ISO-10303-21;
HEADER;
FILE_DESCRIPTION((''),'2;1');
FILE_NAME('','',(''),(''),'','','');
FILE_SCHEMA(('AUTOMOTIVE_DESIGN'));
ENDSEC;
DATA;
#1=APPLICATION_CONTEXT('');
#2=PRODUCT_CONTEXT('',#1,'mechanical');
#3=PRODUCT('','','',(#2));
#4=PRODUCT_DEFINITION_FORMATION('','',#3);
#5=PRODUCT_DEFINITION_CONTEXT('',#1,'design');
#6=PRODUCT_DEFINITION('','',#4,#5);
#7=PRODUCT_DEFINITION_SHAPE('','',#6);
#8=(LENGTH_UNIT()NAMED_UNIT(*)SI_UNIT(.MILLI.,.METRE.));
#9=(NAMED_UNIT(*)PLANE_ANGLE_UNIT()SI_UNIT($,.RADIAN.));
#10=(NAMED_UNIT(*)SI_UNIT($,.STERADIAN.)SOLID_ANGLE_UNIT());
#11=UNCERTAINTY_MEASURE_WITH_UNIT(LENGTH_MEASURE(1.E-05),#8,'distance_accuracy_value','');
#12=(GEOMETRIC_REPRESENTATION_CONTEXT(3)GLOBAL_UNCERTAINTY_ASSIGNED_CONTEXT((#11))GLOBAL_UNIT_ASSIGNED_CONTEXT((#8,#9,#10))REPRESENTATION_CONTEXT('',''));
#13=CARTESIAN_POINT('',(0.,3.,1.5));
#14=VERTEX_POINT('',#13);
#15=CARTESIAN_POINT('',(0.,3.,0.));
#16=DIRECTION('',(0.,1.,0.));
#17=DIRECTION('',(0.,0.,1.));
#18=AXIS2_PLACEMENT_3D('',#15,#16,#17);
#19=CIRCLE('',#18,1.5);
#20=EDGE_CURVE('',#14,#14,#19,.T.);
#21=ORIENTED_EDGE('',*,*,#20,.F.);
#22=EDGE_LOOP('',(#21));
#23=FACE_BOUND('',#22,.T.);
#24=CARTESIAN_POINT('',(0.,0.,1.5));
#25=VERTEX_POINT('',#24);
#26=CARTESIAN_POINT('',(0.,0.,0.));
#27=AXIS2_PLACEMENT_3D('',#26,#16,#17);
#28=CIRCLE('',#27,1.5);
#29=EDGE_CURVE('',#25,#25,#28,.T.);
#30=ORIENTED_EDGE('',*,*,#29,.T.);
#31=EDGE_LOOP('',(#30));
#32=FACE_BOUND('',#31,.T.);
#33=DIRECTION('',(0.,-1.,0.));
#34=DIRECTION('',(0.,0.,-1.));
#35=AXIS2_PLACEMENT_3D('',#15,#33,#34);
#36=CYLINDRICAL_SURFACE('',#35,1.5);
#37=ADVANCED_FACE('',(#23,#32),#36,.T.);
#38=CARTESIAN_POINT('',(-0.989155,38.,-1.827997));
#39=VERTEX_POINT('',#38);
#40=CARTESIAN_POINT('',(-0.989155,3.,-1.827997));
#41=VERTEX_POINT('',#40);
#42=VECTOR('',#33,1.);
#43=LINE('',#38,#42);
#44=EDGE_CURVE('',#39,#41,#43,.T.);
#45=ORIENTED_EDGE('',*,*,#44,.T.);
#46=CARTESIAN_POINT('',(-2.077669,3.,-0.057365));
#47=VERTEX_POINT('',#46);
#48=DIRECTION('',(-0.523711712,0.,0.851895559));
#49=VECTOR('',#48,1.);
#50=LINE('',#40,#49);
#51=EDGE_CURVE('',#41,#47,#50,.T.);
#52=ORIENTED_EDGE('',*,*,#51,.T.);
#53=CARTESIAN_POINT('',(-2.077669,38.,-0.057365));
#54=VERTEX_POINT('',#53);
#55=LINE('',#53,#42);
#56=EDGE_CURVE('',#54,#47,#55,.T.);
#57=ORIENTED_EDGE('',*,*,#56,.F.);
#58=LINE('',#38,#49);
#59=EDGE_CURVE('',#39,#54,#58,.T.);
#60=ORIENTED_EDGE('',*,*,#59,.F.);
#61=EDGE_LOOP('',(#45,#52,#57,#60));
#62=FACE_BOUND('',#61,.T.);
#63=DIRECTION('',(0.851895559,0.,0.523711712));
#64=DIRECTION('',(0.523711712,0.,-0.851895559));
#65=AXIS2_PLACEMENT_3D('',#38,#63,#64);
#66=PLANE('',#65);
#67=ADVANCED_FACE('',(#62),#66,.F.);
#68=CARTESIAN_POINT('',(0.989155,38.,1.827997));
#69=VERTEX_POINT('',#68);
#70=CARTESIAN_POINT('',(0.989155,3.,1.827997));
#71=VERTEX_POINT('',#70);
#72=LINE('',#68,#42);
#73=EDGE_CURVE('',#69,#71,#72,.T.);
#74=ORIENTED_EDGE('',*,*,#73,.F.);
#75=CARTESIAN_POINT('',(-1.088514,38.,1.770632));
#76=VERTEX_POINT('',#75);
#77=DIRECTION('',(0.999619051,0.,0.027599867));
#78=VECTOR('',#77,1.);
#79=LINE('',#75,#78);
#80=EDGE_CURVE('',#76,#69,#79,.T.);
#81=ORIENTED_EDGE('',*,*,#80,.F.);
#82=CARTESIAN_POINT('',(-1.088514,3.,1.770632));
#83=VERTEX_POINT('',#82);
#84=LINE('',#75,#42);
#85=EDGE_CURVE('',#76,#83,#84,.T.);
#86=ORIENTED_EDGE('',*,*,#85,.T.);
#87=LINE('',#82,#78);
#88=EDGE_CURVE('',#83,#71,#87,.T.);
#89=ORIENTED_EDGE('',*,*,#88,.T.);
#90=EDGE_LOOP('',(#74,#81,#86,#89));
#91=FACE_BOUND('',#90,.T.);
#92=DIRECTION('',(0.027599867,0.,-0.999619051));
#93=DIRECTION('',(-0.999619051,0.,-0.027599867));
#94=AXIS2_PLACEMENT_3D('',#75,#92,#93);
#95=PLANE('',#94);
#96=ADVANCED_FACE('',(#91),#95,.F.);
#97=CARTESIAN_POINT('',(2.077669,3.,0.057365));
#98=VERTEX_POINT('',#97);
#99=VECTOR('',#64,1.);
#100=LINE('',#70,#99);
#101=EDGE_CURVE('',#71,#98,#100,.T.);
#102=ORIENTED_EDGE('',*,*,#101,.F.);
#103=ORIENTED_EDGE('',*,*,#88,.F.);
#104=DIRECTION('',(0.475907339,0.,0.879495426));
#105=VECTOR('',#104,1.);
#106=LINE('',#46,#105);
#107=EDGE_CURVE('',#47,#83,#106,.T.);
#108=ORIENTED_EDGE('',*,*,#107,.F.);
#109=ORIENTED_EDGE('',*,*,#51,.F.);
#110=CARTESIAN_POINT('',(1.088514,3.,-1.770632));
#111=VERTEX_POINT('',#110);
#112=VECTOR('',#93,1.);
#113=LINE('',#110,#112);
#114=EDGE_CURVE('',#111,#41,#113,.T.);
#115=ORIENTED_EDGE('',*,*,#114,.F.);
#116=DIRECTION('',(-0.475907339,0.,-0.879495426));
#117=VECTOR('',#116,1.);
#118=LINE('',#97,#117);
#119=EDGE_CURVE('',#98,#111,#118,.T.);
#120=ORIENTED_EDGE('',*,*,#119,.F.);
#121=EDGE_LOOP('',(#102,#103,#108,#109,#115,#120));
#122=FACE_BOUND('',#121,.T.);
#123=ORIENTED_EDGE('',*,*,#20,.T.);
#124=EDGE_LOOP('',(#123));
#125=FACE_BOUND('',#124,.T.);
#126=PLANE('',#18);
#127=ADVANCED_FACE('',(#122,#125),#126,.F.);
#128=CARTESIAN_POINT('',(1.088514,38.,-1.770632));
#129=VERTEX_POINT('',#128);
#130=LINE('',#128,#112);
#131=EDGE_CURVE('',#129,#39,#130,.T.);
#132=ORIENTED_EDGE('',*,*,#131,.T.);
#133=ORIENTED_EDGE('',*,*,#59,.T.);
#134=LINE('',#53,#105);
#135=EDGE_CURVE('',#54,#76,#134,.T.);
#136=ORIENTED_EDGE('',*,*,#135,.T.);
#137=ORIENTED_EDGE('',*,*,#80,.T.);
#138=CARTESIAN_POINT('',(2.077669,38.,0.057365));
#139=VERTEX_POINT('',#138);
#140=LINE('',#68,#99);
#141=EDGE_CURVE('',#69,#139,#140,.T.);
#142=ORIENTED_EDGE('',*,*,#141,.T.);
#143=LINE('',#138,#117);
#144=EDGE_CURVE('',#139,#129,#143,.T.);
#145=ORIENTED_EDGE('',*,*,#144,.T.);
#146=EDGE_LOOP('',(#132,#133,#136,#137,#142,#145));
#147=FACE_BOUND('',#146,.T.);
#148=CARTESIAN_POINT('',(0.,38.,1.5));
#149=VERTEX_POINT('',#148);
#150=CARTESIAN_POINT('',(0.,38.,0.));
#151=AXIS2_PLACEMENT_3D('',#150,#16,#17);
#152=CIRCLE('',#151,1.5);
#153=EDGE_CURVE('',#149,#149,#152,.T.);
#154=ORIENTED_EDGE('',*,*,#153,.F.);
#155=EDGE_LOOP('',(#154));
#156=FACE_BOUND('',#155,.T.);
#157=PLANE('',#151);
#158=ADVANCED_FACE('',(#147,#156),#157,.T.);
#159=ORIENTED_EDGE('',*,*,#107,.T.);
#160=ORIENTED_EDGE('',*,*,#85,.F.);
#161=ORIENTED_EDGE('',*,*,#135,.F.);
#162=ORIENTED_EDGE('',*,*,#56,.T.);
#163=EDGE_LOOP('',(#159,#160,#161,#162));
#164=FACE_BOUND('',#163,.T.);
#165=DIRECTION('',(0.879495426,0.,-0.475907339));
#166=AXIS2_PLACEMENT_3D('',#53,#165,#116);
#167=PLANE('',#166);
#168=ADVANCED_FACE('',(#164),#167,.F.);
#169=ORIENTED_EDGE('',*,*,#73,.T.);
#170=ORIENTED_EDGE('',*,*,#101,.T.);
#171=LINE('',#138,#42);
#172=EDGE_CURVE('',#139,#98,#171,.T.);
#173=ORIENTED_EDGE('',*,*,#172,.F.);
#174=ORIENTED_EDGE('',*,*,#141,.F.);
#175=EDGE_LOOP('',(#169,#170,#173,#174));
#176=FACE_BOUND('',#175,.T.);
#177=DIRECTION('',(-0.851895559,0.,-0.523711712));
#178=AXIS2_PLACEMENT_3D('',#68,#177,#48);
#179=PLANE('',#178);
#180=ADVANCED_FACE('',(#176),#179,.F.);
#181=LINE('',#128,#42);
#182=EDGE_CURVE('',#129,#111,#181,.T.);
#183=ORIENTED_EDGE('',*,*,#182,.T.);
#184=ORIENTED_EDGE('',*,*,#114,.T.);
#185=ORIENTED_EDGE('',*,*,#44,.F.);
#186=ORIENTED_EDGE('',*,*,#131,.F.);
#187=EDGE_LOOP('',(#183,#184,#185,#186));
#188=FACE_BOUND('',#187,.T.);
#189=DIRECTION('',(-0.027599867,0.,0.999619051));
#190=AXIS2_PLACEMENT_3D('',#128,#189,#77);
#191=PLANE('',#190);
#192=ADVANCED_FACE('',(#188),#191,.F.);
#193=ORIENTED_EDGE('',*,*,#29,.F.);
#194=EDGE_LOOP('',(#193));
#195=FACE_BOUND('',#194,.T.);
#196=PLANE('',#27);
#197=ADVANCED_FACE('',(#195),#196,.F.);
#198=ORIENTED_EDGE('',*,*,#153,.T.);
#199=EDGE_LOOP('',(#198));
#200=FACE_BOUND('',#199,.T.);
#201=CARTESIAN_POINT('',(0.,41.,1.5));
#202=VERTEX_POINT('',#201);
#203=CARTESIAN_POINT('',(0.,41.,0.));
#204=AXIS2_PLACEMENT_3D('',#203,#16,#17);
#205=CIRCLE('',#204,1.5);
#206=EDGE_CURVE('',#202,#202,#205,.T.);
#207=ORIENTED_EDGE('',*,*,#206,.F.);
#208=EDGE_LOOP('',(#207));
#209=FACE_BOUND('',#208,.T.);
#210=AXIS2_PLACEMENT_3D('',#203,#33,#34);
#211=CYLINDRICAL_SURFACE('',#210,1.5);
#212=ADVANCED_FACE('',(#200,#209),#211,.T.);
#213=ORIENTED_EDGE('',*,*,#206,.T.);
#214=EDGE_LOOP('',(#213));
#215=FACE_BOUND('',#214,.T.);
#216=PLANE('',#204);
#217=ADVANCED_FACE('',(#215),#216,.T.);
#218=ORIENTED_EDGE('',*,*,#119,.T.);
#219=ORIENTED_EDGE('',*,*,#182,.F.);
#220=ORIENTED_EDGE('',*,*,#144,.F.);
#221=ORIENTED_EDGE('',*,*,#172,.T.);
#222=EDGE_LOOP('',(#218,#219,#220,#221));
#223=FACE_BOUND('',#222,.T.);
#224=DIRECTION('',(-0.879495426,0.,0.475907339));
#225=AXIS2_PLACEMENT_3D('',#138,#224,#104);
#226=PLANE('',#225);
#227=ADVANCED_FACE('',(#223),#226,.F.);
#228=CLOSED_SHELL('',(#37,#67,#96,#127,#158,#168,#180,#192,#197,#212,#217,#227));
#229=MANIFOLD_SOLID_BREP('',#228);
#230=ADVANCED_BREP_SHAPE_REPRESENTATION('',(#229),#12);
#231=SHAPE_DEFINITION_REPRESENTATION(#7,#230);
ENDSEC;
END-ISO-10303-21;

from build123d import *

# Parameters (mm, degrees)
SKETCH1_R           = 1.5
BOSS_EXTRUDE1_DEPTH = 3
BOSS_EXTRUDE2_DEPTH = 35
SKETCH3_R           = 1.5
BOSS_EXTRUDE3_DEPTH = 3


with BuildPart() as part:
    # Sketch1 → Boss-Extrude1 (new body)
    with BuildSketch(Plane(origin=(0, 0, 0), x_dir=(1, 0, 0), z_dir=(0, 1, 0))):
        with Locations(Location((0, 0, 0), (0, 0, 270))):
            Circle(SKETCH1_R)
    extrude(amount=BOSS_EXTRUDE1_DEPTH)

    # Sketch2 → Boss-Extrude2 (add)
    with BuildSketch(Plane(origin=(0, 3, 0), x_dir=(1, 0, 0), z_dir=(0, 1, 0))):
        Polygon((-0.98915483, 1.827996915), (-2.077669182, 0.057365247), (-1.088514352, -1.770631668), (0.98915483, -1.827996915), (2.077669182, -0.057365247), (1.088514352, 1.770631668), align=None)
    extrude(amount=BOSS_EXTRUDE2_DEPTH)

    # Sketch3 → Boss-Extrude3 (add)
    with BuildSketch(Plane(origin=(0, 38, 0), x_dir=(1, 0, 0), z_dir=(0, 1, 0))):
        with Locations(Location((0, 0, 0), (0, 0, 270))):
            Circle(SKETCH3_R)
    extrude(amount=BOSS_EXTRUDE3_DEPTH)


solid = part.part
